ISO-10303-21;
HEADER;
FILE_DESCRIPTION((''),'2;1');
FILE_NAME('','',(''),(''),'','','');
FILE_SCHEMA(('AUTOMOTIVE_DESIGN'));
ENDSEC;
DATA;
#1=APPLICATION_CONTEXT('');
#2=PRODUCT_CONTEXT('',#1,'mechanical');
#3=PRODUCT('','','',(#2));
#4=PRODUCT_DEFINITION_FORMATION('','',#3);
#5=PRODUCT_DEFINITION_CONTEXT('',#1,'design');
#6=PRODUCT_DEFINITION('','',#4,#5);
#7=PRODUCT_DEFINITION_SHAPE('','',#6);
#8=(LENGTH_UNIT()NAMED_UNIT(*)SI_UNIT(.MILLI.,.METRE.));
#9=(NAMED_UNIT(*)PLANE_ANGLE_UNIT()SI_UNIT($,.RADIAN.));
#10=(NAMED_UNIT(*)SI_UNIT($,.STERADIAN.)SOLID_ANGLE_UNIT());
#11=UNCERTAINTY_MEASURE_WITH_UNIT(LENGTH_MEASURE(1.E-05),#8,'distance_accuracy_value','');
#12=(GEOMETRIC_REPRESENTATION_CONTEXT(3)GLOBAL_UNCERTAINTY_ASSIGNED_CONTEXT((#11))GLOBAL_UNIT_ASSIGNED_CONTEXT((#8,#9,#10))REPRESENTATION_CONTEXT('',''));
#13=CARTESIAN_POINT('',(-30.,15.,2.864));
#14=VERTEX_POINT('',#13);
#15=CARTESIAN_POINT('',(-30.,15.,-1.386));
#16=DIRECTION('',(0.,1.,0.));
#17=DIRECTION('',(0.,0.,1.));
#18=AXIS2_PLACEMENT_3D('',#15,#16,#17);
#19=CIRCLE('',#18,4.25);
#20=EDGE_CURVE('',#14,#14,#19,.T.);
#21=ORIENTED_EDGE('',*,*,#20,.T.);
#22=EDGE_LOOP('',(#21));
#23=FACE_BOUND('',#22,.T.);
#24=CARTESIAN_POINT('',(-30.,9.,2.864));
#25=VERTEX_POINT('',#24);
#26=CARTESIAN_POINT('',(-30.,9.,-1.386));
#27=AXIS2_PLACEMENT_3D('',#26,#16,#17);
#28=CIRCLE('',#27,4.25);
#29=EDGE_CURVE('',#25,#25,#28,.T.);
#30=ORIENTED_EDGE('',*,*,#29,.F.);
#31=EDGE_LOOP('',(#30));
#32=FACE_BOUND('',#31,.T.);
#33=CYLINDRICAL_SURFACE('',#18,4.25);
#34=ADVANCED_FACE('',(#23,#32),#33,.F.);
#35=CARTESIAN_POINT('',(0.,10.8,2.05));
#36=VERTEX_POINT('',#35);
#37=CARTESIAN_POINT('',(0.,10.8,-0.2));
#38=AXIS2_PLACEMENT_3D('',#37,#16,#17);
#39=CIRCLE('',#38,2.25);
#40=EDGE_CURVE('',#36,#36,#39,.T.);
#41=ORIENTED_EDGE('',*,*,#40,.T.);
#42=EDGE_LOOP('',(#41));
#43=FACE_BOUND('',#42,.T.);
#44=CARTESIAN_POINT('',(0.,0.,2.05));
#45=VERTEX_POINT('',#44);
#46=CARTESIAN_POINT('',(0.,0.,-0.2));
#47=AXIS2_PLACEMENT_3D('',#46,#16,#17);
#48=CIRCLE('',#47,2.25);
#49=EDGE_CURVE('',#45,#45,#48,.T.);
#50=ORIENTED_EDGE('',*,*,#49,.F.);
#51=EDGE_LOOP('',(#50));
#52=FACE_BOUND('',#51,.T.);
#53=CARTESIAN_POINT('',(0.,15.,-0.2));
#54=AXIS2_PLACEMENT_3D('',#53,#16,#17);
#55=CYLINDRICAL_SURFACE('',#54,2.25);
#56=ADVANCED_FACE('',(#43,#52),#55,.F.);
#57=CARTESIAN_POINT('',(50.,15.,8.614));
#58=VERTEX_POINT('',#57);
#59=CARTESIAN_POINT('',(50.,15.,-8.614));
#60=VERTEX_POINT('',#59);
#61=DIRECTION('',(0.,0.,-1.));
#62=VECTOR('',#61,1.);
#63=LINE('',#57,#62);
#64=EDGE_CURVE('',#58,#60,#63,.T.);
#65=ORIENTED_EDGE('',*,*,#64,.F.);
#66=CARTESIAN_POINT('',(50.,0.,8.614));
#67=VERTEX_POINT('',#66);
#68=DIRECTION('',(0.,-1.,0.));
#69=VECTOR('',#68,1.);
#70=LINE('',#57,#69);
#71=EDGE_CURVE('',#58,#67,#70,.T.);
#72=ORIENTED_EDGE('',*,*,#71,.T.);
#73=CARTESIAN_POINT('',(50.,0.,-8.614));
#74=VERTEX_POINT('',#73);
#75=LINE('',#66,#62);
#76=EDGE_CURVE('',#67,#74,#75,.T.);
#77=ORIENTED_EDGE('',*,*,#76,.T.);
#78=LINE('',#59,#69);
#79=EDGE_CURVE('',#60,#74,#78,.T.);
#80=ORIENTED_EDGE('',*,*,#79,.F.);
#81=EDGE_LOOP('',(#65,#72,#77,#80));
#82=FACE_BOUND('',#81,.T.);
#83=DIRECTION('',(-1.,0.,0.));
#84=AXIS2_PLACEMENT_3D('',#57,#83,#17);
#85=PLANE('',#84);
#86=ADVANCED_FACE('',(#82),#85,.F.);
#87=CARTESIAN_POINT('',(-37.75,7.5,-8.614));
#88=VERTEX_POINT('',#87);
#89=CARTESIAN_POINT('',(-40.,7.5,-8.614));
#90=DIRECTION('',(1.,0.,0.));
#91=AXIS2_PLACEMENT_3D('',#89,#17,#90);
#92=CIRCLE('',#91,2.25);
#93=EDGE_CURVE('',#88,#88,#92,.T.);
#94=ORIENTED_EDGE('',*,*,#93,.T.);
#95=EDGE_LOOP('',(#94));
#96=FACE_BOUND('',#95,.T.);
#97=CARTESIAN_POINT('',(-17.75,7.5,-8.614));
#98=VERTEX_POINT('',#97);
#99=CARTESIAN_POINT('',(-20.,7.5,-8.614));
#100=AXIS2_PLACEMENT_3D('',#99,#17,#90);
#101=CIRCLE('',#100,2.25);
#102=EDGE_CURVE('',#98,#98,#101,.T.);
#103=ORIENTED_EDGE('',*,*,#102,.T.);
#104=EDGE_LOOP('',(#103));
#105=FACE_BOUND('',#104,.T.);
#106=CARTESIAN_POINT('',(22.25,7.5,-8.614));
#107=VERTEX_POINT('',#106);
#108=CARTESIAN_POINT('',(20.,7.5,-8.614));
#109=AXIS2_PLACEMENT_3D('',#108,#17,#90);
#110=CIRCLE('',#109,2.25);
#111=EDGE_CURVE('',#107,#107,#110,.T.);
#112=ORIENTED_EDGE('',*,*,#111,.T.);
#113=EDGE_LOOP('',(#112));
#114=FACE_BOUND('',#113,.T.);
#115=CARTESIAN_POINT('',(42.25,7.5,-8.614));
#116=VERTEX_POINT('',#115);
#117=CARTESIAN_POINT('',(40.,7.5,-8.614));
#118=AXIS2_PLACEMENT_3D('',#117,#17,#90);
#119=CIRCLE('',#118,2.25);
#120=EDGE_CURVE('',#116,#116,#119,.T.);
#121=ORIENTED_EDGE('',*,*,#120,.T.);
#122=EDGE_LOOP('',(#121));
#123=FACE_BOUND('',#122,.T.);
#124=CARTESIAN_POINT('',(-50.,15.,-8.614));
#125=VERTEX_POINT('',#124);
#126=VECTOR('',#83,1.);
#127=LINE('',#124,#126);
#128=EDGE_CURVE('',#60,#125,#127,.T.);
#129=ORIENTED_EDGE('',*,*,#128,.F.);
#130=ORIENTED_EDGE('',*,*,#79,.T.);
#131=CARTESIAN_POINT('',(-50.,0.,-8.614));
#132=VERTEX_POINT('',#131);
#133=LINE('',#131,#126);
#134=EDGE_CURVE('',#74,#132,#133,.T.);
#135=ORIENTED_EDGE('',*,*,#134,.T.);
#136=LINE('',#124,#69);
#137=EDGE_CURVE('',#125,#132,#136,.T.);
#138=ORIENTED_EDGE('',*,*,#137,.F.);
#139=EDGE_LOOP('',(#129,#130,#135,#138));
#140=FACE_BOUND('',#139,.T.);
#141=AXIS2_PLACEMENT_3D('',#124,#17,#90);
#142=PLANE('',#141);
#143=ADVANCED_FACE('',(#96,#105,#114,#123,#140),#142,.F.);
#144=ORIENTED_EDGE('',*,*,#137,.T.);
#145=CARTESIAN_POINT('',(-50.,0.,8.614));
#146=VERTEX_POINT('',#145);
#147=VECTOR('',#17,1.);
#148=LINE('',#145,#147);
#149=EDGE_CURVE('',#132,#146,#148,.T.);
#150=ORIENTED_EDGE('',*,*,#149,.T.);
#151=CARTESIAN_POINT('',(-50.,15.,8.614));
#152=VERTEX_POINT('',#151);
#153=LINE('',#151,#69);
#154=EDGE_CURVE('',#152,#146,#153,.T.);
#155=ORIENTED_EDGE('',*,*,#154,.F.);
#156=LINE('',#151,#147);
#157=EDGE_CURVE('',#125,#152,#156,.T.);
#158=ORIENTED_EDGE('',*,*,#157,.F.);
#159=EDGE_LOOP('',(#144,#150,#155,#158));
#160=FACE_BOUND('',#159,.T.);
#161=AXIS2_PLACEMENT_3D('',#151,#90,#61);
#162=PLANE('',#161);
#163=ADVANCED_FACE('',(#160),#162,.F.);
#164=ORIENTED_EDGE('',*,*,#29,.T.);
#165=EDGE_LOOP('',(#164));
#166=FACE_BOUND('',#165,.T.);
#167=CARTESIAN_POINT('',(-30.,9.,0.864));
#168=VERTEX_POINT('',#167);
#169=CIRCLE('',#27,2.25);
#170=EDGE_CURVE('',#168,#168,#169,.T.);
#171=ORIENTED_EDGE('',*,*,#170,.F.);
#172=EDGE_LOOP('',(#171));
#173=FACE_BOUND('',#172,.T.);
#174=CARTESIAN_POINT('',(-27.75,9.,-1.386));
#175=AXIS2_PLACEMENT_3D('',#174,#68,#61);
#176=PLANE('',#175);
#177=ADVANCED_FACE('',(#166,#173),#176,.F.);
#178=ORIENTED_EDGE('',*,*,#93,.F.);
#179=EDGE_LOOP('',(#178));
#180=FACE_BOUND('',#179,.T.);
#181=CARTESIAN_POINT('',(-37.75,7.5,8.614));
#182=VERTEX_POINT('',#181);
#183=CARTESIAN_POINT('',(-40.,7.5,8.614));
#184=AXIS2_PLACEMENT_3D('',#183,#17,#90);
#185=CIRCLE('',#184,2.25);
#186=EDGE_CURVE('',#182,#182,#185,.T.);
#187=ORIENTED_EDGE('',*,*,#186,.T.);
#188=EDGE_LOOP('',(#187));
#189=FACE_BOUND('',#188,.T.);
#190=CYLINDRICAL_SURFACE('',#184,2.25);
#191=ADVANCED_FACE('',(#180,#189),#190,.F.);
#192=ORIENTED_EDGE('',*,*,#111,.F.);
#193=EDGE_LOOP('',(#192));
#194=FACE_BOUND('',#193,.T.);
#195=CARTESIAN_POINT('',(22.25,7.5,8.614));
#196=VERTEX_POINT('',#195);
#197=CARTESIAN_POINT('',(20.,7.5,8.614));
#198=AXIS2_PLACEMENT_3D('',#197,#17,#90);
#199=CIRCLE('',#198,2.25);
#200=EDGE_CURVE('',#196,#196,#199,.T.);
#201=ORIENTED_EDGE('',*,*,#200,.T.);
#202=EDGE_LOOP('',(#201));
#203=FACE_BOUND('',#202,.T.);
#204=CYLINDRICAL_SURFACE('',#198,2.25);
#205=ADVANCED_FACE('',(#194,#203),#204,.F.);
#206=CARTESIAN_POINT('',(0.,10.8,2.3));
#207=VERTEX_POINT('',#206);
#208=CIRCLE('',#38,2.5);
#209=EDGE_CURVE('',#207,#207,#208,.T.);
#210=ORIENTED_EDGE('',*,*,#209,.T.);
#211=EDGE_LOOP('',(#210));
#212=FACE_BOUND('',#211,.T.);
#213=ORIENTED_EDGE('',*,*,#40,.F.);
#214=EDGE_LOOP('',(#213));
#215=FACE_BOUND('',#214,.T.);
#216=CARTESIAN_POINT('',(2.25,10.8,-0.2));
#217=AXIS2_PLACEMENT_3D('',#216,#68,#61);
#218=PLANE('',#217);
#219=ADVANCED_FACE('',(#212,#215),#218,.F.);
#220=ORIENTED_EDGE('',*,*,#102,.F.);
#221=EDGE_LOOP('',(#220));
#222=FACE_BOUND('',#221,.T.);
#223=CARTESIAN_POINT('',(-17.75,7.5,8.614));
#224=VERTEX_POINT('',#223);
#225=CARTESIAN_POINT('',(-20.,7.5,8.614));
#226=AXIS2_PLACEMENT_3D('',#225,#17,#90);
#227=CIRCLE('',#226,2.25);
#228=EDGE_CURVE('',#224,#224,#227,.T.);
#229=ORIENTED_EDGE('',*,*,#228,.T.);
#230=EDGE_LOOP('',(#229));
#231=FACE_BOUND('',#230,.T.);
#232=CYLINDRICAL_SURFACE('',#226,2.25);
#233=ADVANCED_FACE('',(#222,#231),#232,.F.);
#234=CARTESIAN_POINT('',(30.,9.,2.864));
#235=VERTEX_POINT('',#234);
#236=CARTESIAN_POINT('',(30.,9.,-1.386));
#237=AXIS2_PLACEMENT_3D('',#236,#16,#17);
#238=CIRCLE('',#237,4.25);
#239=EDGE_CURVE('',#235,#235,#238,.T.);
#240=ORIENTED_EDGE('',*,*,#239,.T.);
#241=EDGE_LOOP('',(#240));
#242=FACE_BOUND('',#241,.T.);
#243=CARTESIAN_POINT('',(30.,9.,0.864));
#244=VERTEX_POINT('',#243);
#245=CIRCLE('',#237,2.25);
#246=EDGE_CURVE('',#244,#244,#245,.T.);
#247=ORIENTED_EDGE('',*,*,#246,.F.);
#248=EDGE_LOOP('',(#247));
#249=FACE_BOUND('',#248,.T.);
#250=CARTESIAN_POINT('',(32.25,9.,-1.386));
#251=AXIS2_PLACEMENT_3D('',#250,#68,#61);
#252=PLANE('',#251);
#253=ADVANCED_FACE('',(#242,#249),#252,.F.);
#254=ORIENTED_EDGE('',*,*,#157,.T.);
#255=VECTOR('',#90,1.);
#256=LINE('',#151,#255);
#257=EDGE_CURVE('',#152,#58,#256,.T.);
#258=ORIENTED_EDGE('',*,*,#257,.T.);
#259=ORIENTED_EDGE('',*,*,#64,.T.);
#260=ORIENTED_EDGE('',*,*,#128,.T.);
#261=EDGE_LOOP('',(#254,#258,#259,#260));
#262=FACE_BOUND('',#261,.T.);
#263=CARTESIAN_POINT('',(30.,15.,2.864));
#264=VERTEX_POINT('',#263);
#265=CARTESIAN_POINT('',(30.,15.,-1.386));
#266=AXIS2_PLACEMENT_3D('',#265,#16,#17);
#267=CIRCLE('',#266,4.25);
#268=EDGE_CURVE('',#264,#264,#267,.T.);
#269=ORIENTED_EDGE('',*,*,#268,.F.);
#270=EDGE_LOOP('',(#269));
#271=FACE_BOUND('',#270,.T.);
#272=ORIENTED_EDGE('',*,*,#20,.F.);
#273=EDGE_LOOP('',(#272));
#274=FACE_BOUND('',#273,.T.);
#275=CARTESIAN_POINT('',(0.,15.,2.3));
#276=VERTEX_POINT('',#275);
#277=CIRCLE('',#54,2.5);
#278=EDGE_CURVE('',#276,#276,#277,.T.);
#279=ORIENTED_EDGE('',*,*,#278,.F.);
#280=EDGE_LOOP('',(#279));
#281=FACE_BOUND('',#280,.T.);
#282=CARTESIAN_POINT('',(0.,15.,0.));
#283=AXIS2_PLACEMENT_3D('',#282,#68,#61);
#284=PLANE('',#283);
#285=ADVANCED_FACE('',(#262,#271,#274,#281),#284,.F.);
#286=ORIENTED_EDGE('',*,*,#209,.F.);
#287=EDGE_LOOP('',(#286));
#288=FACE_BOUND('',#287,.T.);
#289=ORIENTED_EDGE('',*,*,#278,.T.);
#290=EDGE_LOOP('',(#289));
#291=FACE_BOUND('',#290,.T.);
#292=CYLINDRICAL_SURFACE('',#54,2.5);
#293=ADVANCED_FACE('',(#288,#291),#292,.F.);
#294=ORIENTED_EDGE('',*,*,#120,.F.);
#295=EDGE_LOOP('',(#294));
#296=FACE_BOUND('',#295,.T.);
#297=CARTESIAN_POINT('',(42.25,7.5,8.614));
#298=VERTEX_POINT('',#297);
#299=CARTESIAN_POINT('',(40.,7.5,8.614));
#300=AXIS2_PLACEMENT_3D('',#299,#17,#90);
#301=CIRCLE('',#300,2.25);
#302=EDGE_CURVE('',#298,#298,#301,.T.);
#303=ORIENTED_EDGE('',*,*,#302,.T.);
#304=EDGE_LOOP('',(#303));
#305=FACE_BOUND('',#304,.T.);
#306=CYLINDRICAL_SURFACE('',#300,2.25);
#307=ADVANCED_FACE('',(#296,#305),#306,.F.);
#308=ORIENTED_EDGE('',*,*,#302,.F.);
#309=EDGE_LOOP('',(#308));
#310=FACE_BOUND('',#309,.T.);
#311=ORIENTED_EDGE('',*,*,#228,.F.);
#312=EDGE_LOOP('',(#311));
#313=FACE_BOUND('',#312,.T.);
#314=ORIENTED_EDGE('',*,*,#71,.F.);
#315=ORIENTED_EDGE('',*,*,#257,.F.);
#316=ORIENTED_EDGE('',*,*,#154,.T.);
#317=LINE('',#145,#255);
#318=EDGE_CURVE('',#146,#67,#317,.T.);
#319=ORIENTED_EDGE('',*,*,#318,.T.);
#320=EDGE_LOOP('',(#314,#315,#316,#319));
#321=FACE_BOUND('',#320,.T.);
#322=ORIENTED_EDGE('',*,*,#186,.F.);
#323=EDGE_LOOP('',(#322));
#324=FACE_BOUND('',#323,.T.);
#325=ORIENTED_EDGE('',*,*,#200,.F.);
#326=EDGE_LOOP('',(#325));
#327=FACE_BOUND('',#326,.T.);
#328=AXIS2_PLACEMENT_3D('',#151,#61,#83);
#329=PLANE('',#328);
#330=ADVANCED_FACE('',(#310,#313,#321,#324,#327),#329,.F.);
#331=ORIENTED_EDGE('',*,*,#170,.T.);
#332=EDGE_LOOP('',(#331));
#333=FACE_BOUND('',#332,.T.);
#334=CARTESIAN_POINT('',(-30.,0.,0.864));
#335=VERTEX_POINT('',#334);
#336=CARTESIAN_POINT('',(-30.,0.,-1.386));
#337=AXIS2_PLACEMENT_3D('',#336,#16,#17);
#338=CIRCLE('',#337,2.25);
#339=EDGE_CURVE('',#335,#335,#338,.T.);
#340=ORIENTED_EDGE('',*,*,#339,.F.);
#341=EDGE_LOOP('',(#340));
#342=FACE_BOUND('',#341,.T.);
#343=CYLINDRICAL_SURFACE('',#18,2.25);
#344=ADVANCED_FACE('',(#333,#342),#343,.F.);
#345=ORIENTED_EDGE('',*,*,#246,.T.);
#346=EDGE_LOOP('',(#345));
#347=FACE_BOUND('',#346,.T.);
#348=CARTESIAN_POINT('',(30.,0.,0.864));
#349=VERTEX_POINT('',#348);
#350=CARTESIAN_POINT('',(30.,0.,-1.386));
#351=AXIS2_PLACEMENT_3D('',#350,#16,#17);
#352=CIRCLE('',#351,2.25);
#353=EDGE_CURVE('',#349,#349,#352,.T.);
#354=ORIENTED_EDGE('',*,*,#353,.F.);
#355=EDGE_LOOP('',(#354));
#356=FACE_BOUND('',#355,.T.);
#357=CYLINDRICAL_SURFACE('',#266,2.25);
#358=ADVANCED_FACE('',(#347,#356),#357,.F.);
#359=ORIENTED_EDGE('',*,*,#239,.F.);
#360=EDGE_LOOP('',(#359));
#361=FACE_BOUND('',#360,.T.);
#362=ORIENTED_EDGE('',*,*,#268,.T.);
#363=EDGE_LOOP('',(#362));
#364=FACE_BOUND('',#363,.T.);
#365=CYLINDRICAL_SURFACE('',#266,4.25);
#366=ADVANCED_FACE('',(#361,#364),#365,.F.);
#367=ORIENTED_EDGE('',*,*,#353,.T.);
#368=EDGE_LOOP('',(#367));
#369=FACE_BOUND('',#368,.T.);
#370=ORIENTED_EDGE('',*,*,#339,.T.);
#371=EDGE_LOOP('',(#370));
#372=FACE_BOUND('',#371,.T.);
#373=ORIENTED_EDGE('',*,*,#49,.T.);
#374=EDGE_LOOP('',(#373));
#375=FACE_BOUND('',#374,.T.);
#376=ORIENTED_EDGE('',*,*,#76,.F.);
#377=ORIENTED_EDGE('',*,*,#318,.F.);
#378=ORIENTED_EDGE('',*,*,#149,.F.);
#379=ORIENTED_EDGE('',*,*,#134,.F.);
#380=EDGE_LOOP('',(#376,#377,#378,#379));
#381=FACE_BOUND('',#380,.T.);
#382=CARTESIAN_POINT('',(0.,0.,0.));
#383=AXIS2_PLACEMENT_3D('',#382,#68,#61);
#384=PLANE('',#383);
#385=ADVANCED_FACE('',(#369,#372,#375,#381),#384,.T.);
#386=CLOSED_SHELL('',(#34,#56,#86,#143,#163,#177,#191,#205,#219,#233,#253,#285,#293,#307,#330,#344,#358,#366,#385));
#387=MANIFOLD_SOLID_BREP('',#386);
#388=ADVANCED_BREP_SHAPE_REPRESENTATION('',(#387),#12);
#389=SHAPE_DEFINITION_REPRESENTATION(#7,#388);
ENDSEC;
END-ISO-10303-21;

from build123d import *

# Parameters (mm, degrees)
SKETCH1_W                               = 100
SKETCH1_H                               = 17.228
BOSS_EXTRUDE1_DEPTH                     = 15
CBORE_FOR_M5_HEX_HEAD_BOLT1_D           = 4.5
CBORE_FOR_M5_HEX_HEAD_BOLT1_CBORE_D     = 8.5
CBORE_FOR_M5_HEX_HEAD_BOLT1_CBORE_DEPTH = 6
M4_CLEARANCE_HOLE1_D                    = 4.5
CBORE_FOR_M5_HEX_HEAD_BOLT2_D           = 4.5
CBORE_FOR_M5_HEX_HEAD_BOLT2_CBORE_D     = 5
CBORE_FOR_M5_HEX_HEAD_BOLT2_CBORE_DEPTH = 4.2


with BuildPart() as part:
    # Sketch1 → Boss-Extrude1 (new body)
    with BuildSketch(Plane(origin=(0, 0, 0), x_dir=(1, 0, 0), z_dir=(0, 1, 0))):
        Rectangle(SKETCH1_W, SKETCH1_H)
    extrude(amount=BOSS_EXTRUDE1_DEPTH)

    # CBORE for M5 Hex Head Bolt1 (through all)
    with Locations(Plane(origin=(0, 15, 0), x_dir=(1, 0, 0), z_dir=(0, 1, 0))):
        with Locations((-30, 1.386), (30, 1.386)):
            CounterBoreHole(CBORE_FOR_M5_HEX_HEAD_BOLT1_D / 2, CBORE_FOR_M5_HEX_HEAD_BOLT1_CBORE_D / 2, CBORE_FOR_M5_HEX_HEAD_BOLT1_CBORE_DEPTH)

    # M4 Clearance Hole1 (through all)
    with Locations(Plane.XY.offset(8.614)):
        with Locations((-20, 7.5), (20, 7.5), (-40, 7.5), (40, 7.5)):
            Hole(M4_CLEARANCE_HOLE1_D / 2)

    # CBORE for M5 Hex Head Bolt2 (through all)
    with Locations(Plane(origin=(0, 15, 0), x_dir=(1, 0, 0), z_dir=(0, 1, 0))):
        with Locations((0, 0.2)):
            CounterBoreHole(CBORE_FOR_M5_HEX_HEAD_BOLT2_D / 2, CBORE_FOR_M5_HEX_HEAD_BOLT2_CBORE_D / 2, CBORE_FOR_M5_HEX_HEAD_BOLT2_CBORE_DEPTH)


solid = part.part
